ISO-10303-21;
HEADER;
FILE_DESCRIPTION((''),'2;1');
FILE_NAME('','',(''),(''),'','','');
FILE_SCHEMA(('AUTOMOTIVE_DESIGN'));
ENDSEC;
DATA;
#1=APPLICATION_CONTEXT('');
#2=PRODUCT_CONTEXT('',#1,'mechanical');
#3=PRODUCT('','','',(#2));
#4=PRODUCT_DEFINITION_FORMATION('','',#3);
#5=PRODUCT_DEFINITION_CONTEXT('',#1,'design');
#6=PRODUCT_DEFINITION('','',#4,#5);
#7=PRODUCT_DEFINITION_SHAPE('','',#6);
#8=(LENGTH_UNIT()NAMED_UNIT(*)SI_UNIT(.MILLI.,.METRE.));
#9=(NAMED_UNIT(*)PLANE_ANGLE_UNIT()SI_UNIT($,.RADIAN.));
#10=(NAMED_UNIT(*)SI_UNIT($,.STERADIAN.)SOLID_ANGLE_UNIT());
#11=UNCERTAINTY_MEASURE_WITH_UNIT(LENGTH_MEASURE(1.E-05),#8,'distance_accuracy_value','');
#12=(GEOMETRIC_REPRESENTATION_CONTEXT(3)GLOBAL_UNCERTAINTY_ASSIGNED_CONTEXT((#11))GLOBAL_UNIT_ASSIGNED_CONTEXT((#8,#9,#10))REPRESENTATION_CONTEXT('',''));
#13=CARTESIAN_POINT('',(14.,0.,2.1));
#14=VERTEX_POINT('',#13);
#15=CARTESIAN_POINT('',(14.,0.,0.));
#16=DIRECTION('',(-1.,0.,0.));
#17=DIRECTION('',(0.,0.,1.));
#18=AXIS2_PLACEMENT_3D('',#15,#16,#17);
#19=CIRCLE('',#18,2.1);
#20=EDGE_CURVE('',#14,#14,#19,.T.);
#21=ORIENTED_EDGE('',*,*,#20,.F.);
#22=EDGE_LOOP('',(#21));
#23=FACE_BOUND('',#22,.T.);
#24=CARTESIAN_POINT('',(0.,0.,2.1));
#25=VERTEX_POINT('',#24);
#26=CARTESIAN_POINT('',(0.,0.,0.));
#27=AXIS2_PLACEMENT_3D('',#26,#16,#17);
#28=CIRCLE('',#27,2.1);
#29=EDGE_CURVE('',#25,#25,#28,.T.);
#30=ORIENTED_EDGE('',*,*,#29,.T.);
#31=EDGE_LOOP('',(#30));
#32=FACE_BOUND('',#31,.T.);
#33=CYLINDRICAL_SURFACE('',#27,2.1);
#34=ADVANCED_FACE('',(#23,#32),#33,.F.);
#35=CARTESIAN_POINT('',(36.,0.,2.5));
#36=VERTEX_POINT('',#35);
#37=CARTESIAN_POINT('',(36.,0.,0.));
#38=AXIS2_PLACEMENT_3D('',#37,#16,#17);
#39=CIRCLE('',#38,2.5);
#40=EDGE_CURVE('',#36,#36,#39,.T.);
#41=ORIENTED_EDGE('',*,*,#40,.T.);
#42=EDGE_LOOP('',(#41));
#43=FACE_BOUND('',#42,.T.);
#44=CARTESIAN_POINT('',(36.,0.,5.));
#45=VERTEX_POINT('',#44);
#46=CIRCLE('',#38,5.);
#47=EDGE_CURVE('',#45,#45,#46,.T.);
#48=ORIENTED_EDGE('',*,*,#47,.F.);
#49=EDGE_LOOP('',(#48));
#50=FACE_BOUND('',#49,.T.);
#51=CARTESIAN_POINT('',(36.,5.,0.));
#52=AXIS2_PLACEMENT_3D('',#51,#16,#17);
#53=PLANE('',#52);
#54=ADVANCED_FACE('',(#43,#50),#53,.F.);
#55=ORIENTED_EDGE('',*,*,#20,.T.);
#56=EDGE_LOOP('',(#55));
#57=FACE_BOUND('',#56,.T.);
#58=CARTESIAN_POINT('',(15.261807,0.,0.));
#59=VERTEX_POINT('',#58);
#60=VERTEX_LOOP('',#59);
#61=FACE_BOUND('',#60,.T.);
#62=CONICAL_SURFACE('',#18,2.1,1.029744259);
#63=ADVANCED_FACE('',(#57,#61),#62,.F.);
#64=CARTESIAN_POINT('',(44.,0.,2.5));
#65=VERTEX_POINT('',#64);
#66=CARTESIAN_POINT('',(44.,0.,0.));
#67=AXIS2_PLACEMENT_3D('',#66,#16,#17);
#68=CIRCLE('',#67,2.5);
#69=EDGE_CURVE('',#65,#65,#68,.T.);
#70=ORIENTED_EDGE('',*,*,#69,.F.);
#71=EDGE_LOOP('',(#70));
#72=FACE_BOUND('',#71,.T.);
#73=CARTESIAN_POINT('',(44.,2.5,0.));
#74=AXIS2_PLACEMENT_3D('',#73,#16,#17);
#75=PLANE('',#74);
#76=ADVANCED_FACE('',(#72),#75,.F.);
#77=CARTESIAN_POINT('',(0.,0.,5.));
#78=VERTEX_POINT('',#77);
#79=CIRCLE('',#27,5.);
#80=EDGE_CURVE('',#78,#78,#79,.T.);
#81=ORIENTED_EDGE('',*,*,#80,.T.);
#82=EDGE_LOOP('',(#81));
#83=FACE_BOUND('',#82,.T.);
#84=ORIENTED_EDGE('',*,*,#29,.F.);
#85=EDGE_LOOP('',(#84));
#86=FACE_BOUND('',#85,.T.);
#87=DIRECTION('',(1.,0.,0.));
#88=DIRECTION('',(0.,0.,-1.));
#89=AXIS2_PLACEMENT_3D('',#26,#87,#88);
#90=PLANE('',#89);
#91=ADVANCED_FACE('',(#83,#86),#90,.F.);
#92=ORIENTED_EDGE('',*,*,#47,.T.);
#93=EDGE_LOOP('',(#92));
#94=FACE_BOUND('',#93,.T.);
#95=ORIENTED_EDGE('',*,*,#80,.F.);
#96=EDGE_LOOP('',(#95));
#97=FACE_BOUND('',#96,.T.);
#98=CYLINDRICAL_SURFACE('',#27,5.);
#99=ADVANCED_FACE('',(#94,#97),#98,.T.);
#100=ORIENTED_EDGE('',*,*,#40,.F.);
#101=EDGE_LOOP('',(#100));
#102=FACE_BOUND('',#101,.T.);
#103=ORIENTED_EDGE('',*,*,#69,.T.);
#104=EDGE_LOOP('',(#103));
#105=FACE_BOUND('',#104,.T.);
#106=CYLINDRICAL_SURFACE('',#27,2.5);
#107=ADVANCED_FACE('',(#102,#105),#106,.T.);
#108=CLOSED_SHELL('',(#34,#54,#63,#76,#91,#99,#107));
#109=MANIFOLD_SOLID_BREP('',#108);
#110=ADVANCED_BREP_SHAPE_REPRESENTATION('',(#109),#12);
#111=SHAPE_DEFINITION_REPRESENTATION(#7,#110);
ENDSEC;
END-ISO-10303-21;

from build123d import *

# Parameters (mm, degrees)
M5_GEWINDEBOHRUNG1_D     = 4.2
M5_GEWINDEBOHRUNG1_DEPTH = 14
M5_GEWINDEBOHRUNG1_TIP   = 1.2618073


with BuildPart() as part:
    # Skizze1 → Rotation1 (revolve)
    with BuildSketch(Plane.XY):
        Polygon((0, 0), (0, 5), (36, 5), (36, 2.5), (44, 2.5), (44, 0), align=None)
    revolve(axis=Axis((0, 0, 0), (1, 0, 0)))

    # M5 Gewindebohrung1
    with Locations(Plane.ZY):
        with Locations((0, 0)):
            Hole(M5_GEWINDEBOHRUNG1_D / 2, depth=M5_GEWINDEBOHRUNG1_DEPTH)
            with Locations((0, 0, -(M5_GEWINDEBOHRUNG1_DEPTH + M5_GEWINDEBOHRUNG1_TIP / 2))):  # 118° drill point
                Cone(0, M5_GEWINDEBOHRUNG1_D / 2, M5_GEWINDEBOHRUNG1_TIP, mode=Mode.SUBTRACT)


solid = part.part
